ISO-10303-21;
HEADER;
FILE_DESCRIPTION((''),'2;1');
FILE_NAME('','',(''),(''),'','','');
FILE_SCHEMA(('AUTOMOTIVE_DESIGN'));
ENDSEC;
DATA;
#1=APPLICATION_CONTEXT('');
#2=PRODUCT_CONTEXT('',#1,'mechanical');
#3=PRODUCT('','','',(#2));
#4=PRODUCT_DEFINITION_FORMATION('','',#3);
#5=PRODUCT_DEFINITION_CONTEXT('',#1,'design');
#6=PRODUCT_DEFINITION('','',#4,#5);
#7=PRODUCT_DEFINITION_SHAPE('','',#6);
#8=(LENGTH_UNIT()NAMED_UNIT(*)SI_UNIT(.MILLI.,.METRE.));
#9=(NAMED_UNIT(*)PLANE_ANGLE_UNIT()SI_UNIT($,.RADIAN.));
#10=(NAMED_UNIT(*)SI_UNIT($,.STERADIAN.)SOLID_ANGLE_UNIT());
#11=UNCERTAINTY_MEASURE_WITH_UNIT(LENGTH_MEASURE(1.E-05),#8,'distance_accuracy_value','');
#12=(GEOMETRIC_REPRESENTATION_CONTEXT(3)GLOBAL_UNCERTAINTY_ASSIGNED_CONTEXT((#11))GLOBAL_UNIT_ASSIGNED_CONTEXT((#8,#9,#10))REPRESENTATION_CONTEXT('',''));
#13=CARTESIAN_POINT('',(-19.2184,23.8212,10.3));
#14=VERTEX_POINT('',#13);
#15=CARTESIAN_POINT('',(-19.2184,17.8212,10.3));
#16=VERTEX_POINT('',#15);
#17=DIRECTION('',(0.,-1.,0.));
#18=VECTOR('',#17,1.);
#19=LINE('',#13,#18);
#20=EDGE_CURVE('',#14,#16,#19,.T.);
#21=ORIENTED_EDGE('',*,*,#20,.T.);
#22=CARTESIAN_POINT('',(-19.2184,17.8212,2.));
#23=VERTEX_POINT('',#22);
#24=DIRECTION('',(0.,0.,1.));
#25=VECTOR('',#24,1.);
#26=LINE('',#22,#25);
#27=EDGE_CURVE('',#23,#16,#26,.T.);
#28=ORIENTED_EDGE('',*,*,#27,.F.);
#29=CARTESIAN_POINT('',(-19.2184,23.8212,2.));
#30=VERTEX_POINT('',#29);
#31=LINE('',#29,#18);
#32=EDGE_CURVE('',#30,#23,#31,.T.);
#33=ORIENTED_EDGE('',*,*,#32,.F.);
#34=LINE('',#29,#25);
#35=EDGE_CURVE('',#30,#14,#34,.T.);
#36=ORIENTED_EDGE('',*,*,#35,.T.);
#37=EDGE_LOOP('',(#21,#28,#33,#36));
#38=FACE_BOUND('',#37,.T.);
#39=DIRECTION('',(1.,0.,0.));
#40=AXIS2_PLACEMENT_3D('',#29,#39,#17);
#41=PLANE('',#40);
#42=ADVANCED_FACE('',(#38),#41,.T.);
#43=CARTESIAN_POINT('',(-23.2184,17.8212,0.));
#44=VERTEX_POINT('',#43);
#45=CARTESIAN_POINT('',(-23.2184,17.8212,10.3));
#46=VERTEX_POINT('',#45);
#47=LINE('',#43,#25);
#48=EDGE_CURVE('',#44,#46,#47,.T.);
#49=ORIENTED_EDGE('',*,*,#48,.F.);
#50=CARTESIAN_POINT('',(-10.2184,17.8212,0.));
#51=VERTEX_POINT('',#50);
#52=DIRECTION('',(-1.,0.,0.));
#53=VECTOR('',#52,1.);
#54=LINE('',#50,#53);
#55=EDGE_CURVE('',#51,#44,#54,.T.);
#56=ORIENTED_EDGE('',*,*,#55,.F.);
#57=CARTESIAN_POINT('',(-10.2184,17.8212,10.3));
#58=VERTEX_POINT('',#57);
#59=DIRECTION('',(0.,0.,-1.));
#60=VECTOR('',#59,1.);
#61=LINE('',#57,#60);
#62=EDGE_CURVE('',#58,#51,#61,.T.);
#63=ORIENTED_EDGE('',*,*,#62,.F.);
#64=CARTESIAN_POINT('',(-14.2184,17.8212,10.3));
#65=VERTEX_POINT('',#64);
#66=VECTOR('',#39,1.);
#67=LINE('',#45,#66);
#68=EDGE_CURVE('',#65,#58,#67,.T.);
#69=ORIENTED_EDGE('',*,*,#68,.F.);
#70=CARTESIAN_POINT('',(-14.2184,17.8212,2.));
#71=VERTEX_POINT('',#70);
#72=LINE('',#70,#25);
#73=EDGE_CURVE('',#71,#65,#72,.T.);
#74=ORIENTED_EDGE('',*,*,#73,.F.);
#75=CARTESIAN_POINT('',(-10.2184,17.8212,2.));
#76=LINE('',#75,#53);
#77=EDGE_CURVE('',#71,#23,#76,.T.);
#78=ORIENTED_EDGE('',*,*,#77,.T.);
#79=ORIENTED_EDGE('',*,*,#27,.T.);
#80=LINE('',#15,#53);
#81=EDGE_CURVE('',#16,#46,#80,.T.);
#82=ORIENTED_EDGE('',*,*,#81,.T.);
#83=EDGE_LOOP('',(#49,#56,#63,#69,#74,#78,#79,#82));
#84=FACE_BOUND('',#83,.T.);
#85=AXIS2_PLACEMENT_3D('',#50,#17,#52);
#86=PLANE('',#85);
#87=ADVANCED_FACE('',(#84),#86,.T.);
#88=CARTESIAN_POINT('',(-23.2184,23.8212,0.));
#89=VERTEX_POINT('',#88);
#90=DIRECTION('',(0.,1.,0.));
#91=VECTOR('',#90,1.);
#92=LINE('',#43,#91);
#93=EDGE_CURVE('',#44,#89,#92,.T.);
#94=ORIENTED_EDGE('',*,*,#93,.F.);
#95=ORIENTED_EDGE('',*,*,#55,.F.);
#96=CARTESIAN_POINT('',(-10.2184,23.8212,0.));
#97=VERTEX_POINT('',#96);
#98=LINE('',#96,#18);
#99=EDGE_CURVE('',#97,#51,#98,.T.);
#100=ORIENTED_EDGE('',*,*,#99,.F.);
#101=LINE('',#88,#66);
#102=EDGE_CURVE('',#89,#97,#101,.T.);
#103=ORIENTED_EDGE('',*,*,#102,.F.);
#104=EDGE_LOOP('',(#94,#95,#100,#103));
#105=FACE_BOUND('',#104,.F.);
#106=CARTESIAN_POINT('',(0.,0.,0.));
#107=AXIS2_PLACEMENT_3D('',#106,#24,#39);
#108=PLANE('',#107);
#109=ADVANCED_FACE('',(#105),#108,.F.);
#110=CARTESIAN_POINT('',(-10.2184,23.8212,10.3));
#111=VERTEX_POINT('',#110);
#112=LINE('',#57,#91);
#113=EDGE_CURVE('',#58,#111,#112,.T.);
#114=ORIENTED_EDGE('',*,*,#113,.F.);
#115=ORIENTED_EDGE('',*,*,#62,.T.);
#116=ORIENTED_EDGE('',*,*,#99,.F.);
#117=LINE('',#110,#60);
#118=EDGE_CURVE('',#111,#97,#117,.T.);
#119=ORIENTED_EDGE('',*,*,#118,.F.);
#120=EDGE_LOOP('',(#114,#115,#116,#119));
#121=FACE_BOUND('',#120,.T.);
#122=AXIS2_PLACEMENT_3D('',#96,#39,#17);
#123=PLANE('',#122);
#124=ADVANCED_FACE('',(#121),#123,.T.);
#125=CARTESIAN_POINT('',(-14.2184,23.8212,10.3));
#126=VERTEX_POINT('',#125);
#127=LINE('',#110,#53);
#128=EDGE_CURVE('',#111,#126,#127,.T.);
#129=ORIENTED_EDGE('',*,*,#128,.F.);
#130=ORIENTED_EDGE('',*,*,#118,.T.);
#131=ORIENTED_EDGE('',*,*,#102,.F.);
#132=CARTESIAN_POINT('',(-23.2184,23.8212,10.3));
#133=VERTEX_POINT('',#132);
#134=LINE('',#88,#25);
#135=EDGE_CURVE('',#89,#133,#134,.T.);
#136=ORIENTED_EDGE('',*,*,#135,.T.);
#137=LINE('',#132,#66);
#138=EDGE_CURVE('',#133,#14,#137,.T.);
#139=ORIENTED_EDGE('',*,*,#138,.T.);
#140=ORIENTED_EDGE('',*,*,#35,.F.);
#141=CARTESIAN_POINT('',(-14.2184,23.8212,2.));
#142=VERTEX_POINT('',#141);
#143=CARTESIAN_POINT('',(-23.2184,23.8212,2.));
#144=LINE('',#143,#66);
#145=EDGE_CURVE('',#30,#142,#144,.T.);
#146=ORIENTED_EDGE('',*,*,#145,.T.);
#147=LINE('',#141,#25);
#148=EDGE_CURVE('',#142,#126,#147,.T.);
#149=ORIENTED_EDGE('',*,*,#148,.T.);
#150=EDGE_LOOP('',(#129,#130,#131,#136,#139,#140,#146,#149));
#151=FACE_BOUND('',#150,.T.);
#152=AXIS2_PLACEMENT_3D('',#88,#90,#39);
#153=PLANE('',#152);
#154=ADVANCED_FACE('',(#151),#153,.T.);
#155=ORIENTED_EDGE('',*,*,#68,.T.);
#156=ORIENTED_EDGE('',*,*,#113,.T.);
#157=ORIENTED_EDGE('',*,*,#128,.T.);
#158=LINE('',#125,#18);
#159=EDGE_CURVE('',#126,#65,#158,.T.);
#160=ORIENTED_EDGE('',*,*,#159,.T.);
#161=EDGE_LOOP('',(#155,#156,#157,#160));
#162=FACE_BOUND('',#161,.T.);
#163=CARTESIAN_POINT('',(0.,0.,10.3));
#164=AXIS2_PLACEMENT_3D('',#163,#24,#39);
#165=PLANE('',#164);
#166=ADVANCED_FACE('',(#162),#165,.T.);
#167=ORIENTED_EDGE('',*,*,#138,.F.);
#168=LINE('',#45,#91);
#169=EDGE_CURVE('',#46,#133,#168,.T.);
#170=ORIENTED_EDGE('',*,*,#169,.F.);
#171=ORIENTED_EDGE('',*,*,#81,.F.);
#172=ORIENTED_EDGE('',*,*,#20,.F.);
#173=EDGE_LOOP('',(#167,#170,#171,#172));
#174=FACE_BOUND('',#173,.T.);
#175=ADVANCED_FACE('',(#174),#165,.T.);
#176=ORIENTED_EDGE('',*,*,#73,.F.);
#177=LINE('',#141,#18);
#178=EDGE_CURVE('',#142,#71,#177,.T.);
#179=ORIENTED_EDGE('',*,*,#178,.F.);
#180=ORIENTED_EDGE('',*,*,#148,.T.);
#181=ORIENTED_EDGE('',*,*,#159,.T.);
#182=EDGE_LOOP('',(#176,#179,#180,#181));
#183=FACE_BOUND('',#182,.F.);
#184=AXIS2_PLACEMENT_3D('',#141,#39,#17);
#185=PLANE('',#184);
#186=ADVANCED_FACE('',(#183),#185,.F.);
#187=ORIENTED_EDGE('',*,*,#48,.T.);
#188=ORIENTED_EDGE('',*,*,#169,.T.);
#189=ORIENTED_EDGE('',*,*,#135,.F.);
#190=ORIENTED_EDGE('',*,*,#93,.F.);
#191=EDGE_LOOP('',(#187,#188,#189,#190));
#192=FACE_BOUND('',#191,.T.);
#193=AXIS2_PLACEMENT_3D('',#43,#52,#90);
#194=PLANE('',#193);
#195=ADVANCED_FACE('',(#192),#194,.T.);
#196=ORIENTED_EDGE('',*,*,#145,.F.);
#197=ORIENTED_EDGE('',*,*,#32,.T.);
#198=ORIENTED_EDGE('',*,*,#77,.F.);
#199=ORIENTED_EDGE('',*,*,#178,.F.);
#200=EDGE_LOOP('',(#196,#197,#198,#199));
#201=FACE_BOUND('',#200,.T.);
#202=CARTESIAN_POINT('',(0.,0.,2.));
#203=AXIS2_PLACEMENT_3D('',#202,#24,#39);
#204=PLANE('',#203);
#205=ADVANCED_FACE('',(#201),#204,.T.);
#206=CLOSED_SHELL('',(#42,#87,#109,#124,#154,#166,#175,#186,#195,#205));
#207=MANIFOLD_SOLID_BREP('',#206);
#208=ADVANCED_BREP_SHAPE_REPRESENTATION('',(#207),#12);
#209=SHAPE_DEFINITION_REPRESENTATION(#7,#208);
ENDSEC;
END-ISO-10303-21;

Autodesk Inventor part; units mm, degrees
ref_plane "YZ Plane" through (0, 0, 0) normal (1, 0, 0) x (0, 1, 0)
ref_plane "XZ Plane" through (0, 0, 0) normal (0, 1, 0) x (-1, 0, 0)
ref_plane "XY Plane" through (0, 0, 0) normal (0, 0, 1) x (1, 0, 0)
sketch "Sketch1" plane through (0, 0, 0) normal (0, 0, 1) x (1, 0, 0)
  line L0 (-23.2184, 23.8212) -> (-10.2184, 23.8212)
  line L1 (-10.2184, 23.8212) -> (-10.2184, 17.8212)
  line L2 (-10.2184, 17.8212) -> (-23.2184, 17.8212)
  line L3 (-23.2184, 17.8212) -> (-23.2184, 23.8212)
  point P0 (0, 0)
  dimension "d0" = 13
  dimension "d1" = 6
extrude "Extrusion1" add sketch "Sketch1" along normal blind 2
sketch "Sketch2" plane through (0, 0, 2) normal (0, 0, 1) x (1, 0, 0)
  line L0 (-23.2184, 17.8212) -> (-23.2184, 23.8212) projected
  line L1 (-23.2184, 23.8212) -> (-19.2184, 23.8212)
  line L2 (-19.2184, 23.8212) -> (-19.2184, 17.8212)
  line L3 (-19.2184, 17.8212) -> (-23.2184, 17.8212)
  line L4 (-23.2184, 17.8212) -> (-23.2184, 23.8212)
  line L5 (-23.2184, 17.8212) -> (-10.2184, 17.8212) projected
  line L6 (-10.2184, 23.8212) -> (-14.2184, 23.8212)
  line L7 (-14.2184, 23.8212) -> (-14.2184, 17.8212)
  line L8 (-14.2184, 17.8212) -> (-10.2184, 17.8212)
  line L9 (-10.2184, 17.8212) -> (-10.2184, 23.8212)
  line L10 (-10.2184, 17.8212) -> (-10.2184, 23.8212) projected
  point P0 (0, 0)
  dimension "d4" = 4
  dimension "d5" = 4
  dimension "d6" = 0
extrude "Extrusion2" add sketch "Sketch2" along normal blind 8.3
properties part number "otackomer"
